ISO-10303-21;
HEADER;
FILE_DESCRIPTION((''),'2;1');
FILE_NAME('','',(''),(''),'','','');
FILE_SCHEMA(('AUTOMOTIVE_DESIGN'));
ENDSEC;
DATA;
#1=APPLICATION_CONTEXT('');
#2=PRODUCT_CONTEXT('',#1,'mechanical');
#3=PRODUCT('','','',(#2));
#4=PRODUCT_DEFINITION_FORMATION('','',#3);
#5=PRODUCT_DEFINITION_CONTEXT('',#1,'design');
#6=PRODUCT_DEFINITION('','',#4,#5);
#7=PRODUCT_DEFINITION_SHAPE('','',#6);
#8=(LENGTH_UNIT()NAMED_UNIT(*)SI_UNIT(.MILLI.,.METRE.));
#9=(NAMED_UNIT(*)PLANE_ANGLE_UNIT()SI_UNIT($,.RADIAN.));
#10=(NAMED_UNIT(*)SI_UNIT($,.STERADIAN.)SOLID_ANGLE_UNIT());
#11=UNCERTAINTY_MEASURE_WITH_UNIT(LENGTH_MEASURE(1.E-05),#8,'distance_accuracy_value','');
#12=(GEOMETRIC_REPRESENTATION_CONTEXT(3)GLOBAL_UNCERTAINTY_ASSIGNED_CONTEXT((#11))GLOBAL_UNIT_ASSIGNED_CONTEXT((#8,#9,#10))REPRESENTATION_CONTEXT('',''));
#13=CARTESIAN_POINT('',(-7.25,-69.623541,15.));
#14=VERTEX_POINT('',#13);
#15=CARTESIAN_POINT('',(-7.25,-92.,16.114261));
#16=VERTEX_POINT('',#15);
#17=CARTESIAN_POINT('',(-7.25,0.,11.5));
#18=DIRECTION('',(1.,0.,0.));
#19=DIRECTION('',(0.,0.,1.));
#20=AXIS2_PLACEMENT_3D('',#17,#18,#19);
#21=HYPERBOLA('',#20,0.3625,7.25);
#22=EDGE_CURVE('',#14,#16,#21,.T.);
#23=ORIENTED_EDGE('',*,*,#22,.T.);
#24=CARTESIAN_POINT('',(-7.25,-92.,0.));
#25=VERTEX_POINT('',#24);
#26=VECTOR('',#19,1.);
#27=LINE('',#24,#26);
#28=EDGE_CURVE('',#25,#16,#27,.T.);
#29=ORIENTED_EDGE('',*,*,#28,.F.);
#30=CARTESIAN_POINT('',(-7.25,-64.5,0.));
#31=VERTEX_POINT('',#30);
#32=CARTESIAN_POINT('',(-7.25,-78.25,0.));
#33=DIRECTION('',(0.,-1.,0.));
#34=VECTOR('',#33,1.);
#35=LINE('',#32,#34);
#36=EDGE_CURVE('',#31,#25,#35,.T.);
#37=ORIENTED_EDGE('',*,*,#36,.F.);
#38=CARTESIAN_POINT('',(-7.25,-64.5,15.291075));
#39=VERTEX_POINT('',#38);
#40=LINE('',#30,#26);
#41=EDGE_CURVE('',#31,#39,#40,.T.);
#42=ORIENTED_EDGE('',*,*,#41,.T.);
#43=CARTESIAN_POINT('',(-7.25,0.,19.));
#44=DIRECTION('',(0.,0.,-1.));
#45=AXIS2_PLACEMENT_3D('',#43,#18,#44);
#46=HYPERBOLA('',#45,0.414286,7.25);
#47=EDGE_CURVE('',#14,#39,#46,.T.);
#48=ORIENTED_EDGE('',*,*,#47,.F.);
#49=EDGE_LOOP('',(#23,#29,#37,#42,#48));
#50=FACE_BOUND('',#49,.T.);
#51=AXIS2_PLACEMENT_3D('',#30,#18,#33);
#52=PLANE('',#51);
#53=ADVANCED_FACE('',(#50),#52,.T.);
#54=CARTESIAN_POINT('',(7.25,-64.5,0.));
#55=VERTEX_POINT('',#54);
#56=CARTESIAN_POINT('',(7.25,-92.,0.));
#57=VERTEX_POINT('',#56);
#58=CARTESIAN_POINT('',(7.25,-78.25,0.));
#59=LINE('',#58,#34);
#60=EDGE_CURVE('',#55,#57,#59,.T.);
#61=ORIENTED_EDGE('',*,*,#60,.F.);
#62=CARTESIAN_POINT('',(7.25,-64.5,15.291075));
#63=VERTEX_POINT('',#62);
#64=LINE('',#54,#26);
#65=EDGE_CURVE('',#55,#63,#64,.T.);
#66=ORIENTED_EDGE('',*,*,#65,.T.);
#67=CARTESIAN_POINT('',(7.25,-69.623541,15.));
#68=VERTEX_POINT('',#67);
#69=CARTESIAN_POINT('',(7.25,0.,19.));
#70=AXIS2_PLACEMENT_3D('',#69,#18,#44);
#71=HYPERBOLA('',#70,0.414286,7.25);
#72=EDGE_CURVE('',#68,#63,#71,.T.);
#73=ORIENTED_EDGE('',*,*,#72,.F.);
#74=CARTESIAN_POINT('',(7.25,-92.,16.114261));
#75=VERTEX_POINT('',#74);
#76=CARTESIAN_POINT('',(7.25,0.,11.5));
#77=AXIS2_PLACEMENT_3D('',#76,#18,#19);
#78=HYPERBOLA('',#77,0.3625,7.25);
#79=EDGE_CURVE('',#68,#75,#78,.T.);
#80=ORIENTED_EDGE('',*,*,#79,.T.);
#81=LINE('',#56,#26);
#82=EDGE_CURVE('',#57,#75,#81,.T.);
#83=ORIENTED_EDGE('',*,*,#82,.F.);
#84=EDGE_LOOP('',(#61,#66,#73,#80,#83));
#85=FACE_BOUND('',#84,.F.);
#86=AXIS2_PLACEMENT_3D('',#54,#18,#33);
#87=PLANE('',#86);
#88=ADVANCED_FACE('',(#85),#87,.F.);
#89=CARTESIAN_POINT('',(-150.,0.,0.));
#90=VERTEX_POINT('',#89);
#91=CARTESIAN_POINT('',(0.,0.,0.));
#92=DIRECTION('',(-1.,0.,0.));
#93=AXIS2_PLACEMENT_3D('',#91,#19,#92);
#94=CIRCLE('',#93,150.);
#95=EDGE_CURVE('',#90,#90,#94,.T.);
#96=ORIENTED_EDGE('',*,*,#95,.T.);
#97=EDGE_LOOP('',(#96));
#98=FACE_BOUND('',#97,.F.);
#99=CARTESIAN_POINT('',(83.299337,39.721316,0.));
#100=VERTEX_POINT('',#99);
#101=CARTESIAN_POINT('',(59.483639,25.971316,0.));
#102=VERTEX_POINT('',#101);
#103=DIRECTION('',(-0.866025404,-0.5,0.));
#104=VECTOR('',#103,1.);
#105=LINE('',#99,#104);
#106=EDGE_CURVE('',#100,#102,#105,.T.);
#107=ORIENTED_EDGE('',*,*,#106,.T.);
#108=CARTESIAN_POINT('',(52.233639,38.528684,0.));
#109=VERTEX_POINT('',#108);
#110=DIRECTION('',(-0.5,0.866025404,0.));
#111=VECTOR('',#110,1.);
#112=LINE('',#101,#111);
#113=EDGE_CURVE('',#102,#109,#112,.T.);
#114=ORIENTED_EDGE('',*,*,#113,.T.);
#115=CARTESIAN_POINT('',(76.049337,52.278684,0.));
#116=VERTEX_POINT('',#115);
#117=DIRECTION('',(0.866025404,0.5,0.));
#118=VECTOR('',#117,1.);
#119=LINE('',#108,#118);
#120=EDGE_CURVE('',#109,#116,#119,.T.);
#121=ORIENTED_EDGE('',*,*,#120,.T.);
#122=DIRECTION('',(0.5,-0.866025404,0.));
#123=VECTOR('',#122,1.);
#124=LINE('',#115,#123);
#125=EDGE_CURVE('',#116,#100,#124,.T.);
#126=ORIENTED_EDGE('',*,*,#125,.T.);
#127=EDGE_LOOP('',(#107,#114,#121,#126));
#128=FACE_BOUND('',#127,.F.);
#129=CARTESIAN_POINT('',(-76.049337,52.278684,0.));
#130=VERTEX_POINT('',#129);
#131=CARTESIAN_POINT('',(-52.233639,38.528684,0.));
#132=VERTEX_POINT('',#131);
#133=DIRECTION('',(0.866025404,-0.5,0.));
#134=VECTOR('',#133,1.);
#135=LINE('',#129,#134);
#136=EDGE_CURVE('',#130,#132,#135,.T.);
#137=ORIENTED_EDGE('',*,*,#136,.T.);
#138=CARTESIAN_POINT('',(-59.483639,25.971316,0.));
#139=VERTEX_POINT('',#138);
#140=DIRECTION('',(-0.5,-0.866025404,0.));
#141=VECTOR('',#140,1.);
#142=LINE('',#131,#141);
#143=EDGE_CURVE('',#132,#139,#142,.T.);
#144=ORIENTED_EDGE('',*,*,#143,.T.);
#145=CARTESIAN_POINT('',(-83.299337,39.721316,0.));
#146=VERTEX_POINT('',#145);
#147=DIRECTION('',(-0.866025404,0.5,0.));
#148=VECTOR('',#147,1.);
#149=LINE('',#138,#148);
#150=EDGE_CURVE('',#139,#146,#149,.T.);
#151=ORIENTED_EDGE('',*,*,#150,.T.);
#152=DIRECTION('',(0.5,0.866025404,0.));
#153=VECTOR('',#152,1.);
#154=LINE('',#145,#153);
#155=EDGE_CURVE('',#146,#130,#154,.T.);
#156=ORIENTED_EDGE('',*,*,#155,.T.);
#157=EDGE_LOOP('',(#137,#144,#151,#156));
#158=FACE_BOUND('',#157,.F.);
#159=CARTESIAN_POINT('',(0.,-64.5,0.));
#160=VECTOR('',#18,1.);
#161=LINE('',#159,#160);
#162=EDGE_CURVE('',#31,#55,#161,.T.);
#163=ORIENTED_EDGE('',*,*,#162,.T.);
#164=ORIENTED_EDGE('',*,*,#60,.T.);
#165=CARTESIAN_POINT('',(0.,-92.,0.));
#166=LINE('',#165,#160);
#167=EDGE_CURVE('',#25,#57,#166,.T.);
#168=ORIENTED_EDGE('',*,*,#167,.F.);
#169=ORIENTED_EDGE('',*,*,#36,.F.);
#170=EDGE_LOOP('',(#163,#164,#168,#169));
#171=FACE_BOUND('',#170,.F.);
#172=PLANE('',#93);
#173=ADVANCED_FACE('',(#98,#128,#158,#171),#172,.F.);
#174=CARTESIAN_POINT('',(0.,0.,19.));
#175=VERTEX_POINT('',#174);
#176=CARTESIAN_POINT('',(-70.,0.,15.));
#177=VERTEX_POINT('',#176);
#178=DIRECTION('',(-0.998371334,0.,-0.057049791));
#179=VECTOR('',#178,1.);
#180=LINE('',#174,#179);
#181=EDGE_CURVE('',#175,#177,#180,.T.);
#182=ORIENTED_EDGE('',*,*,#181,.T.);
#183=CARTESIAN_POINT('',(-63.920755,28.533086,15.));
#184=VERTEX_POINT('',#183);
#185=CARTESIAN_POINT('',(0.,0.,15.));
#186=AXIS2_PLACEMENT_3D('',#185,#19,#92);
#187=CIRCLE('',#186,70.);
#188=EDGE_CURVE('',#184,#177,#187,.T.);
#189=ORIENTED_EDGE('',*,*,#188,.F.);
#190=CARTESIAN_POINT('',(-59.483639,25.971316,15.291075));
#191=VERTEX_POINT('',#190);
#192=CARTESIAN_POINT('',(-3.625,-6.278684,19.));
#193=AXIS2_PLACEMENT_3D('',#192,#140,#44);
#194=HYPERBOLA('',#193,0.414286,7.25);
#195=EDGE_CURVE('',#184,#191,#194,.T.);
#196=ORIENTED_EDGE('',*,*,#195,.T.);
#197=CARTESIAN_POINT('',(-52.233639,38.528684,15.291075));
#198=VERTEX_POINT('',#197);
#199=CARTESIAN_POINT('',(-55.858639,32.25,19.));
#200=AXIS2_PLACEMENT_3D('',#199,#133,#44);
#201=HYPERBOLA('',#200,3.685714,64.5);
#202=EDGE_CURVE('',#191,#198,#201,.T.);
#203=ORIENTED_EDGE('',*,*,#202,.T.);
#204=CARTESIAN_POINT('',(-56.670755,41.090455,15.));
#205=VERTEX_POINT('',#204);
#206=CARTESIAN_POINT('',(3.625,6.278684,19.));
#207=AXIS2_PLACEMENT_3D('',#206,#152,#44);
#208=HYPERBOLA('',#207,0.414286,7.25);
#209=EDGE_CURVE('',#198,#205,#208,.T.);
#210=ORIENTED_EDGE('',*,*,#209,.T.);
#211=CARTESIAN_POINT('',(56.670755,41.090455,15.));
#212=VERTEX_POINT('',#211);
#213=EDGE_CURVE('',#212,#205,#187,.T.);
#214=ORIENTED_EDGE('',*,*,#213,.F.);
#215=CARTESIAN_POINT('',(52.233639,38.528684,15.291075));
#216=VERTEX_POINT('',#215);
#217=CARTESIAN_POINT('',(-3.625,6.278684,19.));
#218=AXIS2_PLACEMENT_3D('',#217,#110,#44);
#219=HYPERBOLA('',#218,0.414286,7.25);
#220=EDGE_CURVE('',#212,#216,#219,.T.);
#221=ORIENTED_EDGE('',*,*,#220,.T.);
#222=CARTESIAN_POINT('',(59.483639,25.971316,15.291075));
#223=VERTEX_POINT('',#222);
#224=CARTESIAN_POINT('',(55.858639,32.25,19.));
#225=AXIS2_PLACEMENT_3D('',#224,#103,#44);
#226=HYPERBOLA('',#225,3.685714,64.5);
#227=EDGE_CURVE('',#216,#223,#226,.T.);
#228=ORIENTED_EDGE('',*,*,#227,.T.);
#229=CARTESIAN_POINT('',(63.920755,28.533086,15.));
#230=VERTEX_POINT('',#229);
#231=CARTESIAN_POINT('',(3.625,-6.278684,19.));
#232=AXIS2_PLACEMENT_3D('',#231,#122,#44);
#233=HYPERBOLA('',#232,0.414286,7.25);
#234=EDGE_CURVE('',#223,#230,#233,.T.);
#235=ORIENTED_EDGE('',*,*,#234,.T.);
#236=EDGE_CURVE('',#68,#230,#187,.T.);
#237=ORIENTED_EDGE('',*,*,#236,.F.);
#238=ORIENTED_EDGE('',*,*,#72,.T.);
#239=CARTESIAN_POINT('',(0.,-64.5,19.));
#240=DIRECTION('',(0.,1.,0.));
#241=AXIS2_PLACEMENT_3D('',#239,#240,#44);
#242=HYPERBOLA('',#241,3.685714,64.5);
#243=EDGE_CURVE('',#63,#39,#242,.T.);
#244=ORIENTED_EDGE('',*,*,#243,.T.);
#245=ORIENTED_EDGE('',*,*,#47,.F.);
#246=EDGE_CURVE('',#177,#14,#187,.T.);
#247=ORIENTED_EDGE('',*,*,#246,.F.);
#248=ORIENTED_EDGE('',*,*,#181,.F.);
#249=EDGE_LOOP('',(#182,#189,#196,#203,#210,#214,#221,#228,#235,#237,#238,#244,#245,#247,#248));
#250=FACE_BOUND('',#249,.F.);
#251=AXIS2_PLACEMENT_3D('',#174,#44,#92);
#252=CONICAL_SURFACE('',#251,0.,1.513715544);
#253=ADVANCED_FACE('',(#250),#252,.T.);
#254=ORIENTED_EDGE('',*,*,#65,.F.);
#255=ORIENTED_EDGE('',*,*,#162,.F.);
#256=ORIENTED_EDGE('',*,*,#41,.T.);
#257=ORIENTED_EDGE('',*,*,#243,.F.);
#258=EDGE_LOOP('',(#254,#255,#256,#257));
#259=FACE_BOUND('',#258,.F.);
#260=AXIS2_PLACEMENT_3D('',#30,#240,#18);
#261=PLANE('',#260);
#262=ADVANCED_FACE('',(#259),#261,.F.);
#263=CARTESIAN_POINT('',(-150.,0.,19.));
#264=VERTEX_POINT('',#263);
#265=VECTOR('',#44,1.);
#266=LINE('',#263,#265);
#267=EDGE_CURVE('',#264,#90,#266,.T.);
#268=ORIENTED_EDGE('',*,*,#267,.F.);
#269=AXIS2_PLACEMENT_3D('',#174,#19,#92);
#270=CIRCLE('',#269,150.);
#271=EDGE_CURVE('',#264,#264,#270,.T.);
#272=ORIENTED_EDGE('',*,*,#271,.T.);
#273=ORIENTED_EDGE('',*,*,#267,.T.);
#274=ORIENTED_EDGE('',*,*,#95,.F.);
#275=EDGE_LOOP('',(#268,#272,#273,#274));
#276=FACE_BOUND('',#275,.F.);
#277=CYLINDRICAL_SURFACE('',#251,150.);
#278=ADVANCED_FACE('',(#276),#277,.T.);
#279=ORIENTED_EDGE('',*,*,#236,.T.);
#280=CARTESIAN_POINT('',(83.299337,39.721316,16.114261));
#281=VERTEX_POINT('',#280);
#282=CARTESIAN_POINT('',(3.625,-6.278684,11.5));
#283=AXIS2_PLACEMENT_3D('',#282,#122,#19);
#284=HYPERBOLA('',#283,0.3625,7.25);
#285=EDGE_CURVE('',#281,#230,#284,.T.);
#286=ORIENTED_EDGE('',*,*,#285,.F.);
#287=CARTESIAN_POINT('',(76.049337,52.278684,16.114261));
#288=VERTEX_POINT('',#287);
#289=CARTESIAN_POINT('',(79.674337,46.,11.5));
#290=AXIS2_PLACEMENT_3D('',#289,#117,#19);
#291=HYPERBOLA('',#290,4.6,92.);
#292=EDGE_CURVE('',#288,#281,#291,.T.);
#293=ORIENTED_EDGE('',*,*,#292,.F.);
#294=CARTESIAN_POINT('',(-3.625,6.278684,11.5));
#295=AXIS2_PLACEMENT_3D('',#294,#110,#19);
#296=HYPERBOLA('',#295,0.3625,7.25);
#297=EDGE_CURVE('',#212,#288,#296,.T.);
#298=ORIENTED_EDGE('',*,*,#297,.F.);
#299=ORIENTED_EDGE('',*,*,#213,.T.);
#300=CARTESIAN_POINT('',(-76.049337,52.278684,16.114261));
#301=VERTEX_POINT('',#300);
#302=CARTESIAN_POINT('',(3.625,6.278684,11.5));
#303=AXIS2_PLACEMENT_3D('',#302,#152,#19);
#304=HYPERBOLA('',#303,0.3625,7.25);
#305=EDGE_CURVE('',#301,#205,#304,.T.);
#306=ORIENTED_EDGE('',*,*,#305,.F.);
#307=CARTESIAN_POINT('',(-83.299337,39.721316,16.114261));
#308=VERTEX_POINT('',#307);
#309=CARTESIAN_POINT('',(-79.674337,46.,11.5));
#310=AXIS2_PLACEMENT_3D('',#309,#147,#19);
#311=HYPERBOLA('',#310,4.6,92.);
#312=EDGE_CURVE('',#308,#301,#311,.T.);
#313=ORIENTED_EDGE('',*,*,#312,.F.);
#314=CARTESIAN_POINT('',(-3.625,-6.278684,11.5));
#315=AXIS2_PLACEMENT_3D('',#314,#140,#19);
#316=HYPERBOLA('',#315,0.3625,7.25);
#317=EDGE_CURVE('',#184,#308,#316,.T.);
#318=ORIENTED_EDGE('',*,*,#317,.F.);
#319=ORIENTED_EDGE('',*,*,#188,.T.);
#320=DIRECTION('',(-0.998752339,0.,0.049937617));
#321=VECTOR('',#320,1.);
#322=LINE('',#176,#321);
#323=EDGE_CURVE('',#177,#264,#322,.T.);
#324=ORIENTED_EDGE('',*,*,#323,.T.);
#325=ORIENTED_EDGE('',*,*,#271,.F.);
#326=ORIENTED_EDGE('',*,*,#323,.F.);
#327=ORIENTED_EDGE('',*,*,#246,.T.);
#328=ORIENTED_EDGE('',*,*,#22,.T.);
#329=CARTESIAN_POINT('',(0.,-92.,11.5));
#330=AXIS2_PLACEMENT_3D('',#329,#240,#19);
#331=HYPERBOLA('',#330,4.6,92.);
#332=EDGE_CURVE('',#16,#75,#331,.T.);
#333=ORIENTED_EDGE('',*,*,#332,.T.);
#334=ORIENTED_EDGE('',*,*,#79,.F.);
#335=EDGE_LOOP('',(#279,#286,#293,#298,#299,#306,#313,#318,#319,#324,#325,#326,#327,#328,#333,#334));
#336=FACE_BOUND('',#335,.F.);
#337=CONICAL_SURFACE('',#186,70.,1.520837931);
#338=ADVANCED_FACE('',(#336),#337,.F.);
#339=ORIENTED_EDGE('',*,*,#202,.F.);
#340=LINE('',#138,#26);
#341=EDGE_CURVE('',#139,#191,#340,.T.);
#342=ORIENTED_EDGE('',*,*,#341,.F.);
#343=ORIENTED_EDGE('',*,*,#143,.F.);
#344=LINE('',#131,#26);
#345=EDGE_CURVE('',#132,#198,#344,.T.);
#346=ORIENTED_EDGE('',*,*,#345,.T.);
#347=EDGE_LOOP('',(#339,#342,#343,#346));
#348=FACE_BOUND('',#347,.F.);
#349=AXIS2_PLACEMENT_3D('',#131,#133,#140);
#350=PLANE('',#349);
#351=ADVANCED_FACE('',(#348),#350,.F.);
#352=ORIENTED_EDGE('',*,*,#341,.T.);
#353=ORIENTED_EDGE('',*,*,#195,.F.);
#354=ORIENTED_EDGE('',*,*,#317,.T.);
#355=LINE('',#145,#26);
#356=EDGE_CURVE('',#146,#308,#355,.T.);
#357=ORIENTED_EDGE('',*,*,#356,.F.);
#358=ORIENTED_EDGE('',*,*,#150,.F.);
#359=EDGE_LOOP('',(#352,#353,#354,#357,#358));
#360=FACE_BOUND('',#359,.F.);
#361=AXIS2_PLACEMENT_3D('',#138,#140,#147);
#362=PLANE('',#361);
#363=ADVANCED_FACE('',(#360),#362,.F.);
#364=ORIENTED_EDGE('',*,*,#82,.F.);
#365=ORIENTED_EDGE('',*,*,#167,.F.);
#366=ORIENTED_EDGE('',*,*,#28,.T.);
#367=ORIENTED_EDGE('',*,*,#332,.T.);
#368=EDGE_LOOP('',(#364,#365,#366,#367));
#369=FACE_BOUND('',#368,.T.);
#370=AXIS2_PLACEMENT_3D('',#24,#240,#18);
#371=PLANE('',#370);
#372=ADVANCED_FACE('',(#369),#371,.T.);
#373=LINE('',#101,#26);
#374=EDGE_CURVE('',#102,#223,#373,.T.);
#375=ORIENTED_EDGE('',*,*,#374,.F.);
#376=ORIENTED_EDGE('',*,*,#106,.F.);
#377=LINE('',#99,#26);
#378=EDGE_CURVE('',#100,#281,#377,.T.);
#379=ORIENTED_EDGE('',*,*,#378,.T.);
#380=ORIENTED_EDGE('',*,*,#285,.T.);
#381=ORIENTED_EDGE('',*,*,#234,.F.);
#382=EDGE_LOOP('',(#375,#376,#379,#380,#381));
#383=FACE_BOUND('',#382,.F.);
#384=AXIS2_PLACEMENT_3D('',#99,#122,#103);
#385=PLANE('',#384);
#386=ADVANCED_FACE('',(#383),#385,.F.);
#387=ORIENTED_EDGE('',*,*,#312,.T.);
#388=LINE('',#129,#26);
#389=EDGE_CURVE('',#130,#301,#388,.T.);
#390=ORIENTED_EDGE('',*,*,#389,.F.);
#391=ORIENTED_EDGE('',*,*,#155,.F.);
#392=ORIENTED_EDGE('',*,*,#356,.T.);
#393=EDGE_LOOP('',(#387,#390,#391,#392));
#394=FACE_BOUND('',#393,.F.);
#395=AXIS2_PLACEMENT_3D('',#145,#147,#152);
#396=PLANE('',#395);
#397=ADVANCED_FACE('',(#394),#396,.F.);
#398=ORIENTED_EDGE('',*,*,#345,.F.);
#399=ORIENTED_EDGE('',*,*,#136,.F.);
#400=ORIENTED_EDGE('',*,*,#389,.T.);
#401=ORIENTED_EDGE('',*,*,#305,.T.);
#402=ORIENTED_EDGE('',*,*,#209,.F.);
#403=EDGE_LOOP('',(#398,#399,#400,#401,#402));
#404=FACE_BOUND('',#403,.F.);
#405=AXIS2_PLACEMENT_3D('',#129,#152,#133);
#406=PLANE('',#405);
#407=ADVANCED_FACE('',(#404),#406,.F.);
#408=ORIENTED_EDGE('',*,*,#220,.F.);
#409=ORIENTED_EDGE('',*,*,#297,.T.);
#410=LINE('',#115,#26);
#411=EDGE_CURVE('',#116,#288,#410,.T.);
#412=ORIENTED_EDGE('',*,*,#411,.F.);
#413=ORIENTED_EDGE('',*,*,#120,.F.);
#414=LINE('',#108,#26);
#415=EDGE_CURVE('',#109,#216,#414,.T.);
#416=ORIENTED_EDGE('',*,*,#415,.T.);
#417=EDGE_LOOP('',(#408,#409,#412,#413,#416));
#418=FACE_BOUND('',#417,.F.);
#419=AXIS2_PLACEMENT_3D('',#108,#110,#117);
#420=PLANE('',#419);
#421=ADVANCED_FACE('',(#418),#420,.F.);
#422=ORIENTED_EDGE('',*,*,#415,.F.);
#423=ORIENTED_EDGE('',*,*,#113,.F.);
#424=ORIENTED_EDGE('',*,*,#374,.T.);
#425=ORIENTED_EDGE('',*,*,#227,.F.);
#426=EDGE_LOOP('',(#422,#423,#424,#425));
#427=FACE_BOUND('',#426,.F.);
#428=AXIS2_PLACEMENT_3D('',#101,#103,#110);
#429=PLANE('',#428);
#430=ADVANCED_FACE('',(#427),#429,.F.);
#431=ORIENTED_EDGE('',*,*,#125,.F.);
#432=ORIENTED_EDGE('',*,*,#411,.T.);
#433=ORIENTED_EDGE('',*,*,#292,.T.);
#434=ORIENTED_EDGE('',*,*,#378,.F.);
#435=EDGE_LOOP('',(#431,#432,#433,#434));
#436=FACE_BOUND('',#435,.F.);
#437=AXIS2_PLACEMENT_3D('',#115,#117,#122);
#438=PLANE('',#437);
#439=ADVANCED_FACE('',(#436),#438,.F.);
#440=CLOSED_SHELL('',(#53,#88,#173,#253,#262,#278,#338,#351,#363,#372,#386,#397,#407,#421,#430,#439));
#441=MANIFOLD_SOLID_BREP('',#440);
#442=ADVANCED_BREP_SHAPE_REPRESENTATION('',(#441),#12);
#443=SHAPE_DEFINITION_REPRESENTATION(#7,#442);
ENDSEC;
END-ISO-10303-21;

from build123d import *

# Parameters (mm, degrees)
F2_W     = 14.5
F2_H     = 27.5
F3_DEPTH = 16.1152611814


with BuildPart() as f1:
    # F0 (on Front) → F1 (revolve)
    with BuildSketch(Plane.XZ):
        Polygon((-150, 0), (-70, 0), (-70, 15), (-150, 19), align=None)
        Polygon((-70, 0), (0, 0), (0, 19), (-70, 15), align=None)
    revolve(axis=Axis((0, 0, 9.5), (0, 0, 1)))

    # F2 (on face) → F3 (cut, through all)
    with BuildSketch(Plane(origin=(0, 0, 0), x_dir=(1, 0, 0), z_dir=(0, 0, -1))):
        with Locations((0, 78.25)):
            Rectangle(F2_W, F2_H)
        Polygon((-52.2336385441, -38.5286841774), (-59.4836385441, -25.9713158226), (-83.2993371482, -39.7213158226), (-76.0493371482, -52.2786841774), align=None)
        Polygon((59.4836385441, -25.9713158226), (52.2336385441, -38.5286841774), (76.0493371482, -52.2786841774), (83.2993371482, -39.7213158226), align=None)
    extrude(amount=-F3_DEPTH, mode=Mode.SUBTRACT)


solid = f1.part
